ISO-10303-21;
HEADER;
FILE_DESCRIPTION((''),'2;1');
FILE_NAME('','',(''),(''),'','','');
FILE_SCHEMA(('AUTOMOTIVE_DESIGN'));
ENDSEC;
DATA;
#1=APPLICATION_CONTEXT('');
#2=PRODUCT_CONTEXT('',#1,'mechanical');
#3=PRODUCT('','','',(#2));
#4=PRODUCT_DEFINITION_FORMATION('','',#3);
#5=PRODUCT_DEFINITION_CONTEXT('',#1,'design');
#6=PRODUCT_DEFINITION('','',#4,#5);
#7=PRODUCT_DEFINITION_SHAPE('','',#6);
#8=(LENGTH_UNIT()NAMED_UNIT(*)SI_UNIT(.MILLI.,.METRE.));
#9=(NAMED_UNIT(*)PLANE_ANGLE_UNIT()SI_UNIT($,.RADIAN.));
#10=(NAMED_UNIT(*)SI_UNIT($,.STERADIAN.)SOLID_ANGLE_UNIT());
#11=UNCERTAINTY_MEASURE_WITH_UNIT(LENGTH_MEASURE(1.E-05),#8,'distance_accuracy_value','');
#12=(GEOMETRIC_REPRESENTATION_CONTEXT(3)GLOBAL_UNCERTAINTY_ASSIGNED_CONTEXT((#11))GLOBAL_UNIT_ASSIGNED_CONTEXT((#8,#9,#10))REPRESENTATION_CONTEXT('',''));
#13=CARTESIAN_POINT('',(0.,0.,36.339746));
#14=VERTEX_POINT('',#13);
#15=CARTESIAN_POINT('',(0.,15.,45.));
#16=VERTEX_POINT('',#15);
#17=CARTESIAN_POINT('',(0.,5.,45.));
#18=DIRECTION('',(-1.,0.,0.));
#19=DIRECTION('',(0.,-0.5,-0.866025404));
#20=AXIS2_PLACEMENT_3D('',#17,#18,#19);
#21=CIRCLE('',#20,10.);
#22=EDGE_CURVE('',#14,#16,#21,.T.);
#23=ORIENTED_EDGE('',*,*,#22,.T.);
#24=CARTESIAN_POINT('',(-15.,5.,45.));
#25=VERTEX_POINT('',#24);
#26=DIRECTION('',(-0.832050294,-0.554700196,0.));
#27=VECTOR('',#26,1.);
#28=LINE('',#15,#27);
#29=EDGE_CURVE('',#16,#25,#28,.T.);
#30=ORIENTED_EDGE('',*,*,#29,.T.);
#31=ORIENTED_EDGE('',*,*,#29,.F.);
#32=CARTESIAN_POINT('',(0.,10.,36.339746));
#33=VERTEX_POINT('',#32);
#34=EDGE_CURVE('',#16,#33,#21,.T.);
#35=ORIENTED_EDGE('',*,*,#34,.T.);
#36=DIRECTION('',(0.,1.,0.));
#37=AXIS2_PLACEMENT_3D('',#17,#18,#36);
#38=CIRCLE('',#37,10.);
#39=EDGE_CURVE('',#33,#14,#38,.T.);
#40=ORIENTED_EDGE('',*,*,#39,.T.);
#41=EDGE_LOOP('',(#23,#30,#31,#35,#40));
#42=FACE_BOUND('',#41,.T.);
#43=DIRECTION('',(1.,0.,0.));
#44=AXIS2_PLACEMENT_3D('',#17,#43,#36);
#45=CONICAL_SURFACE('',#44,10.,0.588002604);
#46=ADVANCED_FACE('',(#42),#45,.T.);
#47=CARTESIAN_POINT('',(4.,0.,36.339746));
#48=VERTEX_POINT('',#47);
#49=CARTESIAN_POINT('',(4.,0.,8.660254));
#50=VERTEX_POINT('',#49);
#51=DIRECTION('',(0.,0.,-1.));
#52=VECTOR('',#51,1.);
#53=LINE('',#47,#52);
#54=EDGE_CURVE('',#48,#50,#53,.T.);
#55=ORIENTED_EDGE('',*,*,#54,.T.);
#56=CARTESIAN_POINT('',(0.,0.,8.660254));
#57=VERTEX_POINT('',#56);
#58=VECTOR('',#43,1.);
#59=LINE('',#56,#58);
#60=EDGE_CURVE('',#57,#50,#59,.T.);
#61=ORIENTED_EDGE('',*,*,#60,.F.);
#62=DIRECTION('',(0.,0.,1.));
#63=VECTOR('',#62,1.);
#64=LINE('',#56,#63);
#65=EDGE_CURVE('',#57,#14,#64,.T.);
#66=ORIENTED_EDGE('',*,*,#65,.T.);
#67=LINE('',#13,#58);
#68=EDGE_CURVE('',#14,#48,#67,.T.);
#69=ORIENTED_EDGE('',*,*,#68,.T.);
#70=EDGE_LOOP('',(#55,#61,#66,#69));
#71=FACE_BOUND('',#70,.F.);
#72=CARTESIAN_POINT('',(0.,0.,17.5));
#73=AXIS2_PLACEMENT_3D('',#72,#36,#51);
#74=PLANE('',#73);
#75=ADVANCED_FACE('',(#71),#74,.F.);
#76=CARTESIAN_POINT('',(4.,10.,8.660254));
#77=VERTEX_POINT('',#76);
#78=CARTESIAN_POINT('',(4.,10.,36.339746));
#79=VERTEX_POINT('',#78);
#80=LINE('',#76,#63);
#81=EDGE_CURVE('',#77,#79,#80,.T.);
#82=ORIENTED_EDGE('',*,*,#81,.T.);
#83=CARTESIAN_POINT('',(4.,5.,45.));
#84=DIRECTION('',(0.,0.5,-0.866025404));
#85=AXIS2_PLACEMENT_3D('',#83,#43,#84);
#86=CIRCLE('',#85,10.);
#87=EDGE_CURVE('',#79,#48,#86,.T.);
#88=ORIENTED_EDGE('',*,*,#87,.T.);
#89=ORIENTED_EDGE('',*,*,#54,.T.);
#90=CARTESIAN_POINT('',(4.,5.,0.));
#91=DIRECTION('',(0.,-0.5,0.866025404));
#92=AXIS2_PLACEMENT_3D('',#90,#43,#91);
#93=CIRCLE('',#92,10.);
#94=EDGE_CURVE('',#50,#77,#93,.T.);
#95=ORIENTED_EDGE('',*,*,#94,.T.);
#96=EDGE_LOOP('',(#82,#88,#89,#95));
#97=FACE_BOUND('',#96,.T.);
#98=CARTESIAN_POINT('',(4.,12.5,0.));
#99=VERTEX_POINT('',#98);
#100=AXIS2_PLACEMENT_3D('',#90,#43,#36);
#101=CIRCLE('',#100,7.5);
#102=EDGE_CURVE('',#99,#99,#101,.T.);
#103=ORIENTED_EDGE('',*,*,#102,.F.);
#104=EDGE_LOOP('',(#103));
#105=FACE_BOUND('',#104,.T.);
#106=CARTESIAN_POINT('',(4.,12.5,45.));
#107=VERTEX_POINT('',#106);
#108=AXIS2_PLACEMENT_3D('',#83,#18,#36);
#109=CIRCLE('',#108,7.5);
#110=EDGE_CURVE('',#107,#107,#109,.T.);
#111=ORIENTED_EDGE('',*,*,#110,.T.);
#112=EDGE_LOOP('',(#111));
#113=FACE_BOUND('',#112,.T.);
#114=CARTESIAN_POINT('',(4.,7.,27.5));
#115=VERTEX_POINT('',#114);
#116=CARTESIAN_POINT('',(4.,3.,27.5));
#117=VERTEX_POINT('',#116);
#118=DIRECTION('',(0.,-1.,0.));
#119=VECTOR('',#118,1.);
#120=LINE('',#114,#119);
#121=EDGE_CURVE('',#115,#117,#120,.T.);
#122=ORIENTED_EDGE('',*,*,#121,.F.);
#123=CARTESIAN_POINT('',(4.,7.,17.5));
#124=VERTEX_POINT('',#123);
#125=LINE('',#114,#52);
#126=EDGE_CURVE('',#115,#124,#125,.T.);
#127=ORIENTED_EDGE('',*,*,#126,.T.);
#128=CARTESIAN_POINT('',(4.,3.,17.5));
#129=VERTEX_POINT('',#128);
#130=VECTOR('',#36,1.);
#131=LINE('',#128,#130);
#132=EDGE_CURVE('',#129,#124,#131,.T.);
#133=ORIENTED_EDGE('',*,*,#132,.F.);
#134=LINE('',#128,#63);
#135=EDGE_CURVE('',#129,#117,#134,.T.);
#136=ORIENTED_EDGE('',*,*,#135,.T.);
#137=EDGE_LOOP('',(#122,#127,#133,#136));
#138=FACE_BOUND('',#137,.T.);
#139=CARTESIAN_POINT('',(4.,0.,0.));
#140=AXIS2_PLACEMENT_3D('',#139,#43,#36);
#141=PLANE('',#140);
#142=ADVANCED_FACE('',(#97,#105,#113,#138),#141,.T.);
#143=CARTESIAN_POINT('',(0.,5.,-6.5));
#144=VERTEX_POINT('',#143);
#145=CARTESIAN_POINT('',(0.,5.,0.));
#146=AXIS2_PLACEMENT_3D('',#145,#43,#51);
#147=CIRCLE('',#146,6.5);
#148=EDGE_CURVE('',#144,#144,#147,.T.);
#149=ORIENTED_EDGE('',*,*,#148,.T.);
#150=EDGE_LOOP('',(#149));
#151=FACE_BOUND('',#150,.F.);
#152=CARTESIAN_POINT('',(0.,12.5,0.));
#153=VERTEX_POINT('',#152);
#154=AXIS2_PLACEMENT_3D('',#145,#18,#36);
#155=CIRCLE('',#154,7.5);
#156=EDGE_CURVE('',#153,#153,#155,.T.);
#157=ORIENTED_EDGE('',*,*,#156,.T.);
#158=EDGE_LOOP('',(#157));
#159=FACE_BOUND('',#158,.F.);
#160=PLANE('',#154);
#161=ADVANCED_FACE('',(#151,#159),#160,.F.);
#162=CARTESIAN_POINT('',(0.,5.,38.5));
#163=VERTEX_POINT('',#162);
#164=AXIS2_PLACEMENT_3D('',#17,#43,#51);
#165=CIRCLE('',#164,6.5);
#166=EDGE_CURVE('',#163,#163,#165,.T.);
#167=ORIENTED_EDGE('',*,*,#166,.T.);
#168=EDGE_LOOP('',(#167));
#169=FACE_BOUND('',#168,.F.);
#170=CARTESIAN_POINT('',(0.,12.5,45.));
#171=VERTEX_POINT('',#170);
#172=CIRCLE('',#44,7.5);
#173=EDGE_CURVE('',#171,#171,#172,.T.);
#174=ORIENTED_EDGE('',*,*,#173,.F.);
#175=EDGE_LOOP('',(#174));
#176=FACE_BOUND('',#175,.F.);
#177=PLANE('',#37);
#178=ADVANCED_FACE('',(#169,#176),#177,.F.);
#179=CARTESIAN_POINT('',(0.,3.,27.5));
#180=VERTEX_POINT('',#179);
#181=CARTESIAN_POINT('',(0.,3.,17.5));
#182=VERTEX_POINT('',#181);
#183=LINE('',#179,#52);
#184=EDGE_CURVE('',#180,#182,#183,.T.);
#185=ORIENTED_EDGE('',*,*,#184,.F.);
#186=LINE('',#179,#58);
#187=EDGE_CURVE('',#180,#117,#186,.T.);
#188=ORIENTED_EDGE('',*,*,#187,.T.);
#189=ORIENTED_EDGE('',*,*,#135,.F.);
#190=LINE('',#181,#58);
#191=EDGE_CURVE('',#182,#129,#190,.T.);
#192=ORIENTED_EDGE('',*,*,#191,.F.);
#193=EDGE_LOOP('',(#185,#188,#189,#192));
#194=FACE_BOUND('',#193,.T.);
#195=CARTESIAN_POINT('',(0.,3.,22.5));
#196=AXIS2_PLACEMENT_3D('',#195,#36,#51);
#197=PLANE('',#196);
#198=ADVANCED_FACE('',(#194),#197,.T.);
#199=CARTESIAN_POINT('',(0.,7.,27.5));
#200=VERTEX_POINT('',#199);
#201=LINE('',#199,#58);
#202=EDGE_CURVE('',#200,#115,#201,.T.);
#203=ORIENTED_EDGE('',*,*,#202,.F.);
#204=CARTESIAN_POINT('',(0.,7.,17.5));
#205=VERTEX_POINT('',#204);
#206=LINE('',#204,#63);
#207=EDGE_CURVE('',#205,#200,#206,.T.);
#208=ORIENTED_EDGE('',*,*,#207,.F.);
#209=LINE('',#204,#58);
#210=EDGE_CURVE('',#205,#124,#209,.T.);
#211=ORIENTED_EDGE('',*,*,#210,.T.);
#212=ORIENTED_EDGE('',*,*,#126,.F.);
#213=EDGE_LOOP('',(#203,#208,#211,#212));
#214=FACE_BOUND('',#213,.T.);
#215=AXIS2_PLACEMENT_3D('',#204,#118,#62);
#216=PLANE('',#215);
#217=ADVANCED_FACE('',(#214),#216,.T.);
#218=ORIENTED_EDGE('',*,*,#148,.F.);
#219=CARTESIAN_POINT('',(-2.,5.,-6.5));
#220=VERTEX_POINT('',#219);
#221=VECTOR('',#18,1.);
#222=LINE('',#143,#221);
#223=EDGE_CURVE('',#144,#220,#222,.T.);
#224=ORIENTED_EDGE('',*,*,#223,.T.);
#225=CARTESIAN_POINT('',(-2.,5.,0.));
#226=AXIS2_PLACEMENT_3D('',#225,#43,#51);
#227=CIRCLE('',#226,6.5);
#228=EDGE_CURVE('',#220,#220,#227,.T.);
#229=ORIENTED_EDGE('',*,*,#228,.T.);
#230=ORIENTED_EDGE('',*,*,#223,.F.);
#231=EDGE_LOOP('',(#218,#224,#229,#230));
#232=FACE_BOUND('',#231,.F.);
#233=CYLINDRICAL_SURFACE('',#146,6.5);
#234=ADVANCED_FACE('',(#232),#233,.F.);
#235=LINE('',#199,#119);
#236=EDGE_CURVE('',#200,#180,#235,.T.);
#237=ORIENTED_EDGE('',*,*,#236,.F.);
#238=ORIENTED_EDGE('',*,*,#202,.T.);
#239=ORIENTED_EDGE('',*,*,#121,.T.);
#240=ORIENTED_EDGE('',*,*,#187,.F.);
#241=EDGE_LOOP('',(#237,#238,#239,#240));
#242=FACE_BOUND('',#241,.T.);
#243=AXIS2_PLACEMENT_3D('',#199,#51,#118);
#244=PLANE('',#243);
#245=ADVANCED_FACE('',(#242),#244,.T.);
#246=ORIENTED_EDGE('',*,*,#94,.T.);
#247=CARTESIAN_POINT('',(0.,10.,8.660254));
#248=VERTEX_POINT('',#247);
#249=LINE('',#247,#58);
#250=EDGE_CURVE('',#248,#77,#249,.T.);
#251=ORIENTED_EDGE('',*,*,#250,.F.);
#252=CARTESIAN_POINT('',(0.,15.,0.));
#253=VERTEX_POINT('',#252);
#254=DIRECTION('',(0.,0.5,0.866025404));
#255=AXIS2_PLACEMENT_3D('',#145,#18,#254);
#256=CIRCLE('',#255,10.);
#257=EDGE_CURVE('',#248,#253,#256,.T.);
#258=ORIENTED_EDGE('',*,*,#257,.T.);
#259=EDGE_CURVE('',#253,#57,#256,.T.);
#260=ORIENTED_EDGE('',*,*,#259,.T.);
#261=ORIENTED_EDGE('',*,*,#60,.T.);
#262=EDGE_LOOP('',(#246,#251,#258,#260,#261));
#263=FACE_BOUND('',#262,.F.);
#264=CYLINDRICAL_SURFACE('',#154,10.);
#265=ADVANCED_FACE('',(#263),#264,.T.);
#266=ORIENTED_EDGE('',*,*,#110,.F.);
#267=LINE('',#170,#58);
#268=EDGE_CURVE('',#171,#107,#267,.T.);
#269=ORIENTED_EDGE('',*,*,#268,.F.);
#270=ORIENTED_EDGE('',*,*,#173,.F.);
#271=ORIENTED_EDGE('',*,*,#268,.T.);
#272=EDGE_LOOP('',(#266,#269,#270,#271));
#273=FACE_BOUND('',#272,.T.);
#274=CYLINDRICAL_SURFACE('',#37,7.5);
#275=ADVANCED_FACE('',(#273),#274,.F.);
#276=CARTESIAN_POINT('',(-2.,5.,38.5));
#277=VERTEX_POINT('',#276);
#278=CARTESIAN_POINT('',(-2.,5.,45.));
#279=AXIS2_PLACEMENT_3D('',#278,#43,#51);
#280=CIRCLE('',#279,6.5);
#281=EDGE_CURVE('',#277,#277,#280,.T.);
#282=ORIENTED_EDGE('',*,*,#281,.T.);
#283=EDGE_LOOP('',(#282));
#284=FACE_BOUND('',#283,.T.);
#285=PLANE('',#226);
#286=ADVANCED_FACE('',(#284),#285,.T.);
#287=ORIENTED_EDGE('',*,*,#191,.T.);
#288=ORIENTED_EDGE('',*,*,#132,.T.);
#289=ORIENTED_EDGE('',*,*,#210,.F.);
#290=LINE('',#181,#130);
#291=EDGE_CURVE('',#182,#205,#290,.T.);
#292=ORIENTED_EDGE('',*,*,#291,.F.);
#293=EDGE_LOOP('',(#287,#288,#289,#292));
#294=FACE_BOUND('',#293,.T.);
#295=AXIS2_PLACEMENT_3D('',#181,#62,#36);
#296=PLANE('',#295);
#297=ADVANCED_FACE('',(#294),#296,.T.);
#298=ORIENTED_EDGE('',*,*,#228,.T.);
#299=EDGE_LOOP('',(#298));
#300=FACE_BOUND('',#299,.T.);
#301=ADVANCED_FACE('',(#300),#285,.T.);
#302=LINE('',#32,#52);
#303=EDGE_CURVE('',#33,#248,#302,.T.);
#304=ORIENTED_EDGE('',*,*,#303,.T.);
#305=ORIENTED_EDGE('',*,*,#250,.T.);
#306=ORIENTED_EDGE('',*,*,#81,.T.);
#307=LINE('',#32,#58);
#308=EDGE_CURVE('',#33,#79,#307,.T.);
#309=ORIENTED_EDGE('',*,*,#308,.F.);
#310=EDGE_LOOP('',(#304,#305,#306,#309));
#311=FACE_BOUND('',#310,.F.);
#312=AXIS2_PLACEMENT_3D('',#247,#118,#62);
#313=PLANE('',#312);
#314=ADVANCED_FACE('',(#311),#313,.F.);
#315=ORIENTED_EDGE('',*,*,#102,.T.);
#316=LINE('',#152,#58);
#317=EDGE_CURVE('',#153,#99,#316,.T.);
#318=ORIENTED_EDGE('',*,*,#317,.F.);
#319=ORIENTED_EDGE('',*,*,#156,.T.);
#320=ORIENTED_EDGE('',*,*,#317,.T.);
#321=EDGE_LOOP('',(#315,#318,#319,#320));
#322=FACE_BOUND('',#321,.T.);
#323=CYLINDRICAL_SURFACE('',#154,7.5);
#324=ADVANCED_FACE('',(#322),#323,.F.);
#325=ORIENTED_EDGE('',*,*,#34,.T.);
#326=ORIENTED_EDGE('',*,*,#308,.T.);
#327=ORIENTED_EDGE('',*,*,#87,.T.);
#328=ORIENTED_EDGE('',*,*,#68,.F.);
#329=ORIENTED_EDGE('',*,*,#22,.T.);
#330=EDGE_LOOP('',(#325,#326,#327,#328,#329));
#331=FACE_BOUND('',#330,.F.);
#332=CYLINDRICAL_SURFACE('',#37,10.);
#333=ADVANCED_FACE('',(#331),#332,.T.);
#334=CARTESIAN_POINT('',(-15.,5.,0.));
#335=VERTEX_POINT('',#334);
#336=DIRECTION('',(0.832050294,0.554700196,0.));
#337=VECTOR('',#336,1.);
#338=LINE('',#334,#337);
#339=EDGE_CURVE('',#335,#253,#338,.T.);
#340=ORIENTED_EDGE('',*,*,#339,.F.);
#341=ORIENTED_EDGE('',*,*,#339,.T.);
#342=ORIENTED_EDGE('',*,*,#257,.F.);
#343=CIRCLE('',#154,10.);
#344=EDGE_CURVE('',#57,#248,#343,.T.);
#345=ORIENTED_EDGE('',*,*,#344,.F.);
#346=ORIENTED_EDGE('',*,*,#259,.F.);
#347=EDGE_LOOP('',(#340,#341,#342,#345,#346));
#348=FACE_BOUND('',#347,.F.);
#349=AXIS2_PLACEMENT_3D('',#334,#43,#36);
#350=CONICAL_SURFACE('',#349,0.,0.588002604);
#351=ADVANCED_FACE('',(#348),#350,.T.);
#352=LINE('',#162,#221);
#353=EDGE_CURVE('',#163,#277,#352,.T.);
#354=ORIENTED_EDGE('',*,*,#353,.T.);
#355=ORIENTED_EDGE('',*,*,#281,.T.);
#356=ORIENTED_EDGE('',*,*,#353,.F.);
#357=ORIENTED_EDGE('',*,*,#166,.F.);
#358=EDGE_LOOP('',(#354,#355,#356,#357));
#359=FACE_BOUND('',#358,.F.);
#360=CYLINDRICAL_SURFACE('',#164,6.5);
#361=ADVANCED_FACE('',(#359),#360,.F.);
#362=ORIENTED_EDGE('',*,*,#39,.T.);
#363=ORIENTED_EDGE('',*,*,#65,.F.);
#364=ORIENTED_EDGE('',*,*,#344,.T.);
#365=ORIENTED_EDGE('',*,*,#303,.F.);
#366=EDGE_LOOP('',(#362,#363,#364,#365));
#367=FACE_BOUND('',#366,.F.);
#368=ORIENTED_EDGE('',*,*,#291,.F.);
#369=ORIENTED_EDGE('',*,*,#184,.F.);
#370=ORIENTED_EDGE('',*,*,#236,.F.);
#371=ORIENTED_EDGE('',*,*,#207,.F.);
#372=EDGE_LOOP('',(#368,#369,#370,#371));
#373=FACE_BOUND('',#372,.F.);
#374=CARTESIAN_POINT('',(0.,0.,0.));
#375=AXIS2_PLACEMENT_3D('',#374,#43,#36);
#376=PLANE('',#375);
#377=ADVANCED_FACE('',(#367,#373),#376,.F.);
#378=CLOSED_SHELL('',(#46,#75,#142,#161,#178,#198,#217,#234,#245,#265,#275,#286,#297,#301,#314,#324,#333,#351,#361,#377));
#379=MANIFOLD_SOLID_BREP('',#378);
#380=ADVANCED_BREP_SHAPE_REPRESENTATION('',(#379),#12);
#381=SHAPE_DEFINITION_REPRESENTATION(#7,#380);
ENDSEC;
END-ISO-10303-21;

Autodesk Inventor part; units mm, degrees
ref_plane "YZ Plane" through (0, 0, 0) normal (1, 0, 0) x (0, 1, 0)
sketch "Эскиз1" plane through (0, 0, 0) normal (1, 0, 0) x (0, 1, 0)
  line L0 (0, 0) -> (10, 0)
  line L1 (10, 0) -> (10, 45)
  line L2 (10, 45) -> (0, 45)
  line L3 (0, 45) -> (0, 0)
  arc A0 (10, 45) -> (0, 45) centre (5, 45) ccw
  arc A1 (0, 0) -> (10, 0) centre (5, 0) ccw
  circle A2 centre (5, 45) radius 7.5
  circle A3 centre (5, 0) radius 7.5
  line L4 (0, 22.5) -> (10, 22.5)
  line L5 (0, 27.5) -> (-20, 27.5)
  line L6 (-20, 27.5) -> (-20, 17.5)
  line L7 (-20, 17.5) -> (0, 17.5)
  line L8 (0, 17.5) -> (0, 27.5)
  line L9 (7, 27.5) -> (3, 27.5)
  line L10 (3, 27.5) -> (3, 17.5)
  line L11 (3, 17.5) -> (7, 17.5)
  line L12 (7, 17.5) -> (7, 27.5)
  circle A4 centre (5, 45) radius 10
  circle A5 centre (5, 0) radius 10
  point P0 (0, 17.5)
  point P1 (0, 8.6603)
  point P2 (10, 8.6603)
  point P3 (10, 5.5902)
  point P4 (0, 5.5902)
  point P5 (10, 36.3397)
  point P6 (0, 36.3397)
  point P7 (0, 39.4098)
  point P8 (10, 39.4098)
  dimension "d0" = 45
  dimension "d1" = 10
  dimension "d2" = 15
  dimension "d3" = 15
  dimension "d6" = 10
  dimension "d7" = 20
  dimension "d8" = 10
  dimension "d9" = 20
  dimension "d10" = 20
extrude "Выдавливание1" add sketch "Эскиз1" along normal blind 4 contours A3 L1 A5 L3 | L3 A5 L1 A3 | L3 L4 L10 L11 L12 L1 A5 | L4 L12 L9 L10 L3 A4 L1 | A4 L3 A2 L1 | L1 A2 L3 A4
sketch "Эскиз3" plane through (0, 0, 0) normal (-1, 0, 0) x (0, 0, 1)
  arc A0 (8.6603, 10) -> (8.6603, 0) centre (0, 5) ccw projected
  line L0 (0, -5) -> (0, 15)
  arc A1 (36.3397, 0) -> (36.3397, 10) centre (45, 5) ccw projected
  line L1 (45, -5) -> (45, 15)
  point P0 (0, 0)
ref_plane "РабПлоскость1" through (0, -5, 0) normal (0, 0, -1) x (0, 1, 0)
ref_plane "РабПлоскость2" through (0, -5, 45) normal (0, 0, -1) x (0, 1, 0)
sketch "Эскиз4" plane through (0, -5, 0) normal (0, 0, -1) x (0, 1, 0)
  line L0 (20, 0) -> (0, 0) projected
  line L1 (10, 0) -> (10, -15)
  line L2 (10, -15) -> (20, 0)
  point P0 (5, 0)
  point P1 (15, 0)
  dimension "d15" = 15
revolve "Вращение1" add sketch "Эскиз4" angle 360 about axis through (0, 5, 0) along (-1, 0, 0)
sketch "Эскиз5" plane through (0, -5, 45) normal (0, 0, -1) x (0, 1, 0)
  line L0 (20, 0) -> (10, -15) projected
  line L1 (20, 0) -> (10, -15)
  line L2 (15, 0) -> (5, 0) projected
  line L3 (10, 0) -> (10, -15)
  line L4 (20, 0) -> (0, 0) projected
  line L5 (10, 0) -> (20, 0)
revolve "Вращение2" add sketch "Эскиз5" angle 360 about axis through (0, 5, 45) along (-1, 0, 0)
sketch "Эскиз6" plane through (0, 5, 0) normal (1, 0, 0) x (0, 0, -1)
  arc A0 (-8.6603, -5) -> (-8.6603, 5) centre (0, 0) ccw projected
  circle A1 centre (0, 0) radius 6.5
  circle A2 centre (-45, 0) radius 7.5 projected
  circle A3 centre (-45, 0) radius 6.5
  point P0 (0, -5)
  dimension "d18" = 13
  dimension "d19" = 13
extrude "Выдавливание3" cut sketch "Эскиз6" against normal blind 2 contours A1 | A3
properties part number "соединение пушек перед"
